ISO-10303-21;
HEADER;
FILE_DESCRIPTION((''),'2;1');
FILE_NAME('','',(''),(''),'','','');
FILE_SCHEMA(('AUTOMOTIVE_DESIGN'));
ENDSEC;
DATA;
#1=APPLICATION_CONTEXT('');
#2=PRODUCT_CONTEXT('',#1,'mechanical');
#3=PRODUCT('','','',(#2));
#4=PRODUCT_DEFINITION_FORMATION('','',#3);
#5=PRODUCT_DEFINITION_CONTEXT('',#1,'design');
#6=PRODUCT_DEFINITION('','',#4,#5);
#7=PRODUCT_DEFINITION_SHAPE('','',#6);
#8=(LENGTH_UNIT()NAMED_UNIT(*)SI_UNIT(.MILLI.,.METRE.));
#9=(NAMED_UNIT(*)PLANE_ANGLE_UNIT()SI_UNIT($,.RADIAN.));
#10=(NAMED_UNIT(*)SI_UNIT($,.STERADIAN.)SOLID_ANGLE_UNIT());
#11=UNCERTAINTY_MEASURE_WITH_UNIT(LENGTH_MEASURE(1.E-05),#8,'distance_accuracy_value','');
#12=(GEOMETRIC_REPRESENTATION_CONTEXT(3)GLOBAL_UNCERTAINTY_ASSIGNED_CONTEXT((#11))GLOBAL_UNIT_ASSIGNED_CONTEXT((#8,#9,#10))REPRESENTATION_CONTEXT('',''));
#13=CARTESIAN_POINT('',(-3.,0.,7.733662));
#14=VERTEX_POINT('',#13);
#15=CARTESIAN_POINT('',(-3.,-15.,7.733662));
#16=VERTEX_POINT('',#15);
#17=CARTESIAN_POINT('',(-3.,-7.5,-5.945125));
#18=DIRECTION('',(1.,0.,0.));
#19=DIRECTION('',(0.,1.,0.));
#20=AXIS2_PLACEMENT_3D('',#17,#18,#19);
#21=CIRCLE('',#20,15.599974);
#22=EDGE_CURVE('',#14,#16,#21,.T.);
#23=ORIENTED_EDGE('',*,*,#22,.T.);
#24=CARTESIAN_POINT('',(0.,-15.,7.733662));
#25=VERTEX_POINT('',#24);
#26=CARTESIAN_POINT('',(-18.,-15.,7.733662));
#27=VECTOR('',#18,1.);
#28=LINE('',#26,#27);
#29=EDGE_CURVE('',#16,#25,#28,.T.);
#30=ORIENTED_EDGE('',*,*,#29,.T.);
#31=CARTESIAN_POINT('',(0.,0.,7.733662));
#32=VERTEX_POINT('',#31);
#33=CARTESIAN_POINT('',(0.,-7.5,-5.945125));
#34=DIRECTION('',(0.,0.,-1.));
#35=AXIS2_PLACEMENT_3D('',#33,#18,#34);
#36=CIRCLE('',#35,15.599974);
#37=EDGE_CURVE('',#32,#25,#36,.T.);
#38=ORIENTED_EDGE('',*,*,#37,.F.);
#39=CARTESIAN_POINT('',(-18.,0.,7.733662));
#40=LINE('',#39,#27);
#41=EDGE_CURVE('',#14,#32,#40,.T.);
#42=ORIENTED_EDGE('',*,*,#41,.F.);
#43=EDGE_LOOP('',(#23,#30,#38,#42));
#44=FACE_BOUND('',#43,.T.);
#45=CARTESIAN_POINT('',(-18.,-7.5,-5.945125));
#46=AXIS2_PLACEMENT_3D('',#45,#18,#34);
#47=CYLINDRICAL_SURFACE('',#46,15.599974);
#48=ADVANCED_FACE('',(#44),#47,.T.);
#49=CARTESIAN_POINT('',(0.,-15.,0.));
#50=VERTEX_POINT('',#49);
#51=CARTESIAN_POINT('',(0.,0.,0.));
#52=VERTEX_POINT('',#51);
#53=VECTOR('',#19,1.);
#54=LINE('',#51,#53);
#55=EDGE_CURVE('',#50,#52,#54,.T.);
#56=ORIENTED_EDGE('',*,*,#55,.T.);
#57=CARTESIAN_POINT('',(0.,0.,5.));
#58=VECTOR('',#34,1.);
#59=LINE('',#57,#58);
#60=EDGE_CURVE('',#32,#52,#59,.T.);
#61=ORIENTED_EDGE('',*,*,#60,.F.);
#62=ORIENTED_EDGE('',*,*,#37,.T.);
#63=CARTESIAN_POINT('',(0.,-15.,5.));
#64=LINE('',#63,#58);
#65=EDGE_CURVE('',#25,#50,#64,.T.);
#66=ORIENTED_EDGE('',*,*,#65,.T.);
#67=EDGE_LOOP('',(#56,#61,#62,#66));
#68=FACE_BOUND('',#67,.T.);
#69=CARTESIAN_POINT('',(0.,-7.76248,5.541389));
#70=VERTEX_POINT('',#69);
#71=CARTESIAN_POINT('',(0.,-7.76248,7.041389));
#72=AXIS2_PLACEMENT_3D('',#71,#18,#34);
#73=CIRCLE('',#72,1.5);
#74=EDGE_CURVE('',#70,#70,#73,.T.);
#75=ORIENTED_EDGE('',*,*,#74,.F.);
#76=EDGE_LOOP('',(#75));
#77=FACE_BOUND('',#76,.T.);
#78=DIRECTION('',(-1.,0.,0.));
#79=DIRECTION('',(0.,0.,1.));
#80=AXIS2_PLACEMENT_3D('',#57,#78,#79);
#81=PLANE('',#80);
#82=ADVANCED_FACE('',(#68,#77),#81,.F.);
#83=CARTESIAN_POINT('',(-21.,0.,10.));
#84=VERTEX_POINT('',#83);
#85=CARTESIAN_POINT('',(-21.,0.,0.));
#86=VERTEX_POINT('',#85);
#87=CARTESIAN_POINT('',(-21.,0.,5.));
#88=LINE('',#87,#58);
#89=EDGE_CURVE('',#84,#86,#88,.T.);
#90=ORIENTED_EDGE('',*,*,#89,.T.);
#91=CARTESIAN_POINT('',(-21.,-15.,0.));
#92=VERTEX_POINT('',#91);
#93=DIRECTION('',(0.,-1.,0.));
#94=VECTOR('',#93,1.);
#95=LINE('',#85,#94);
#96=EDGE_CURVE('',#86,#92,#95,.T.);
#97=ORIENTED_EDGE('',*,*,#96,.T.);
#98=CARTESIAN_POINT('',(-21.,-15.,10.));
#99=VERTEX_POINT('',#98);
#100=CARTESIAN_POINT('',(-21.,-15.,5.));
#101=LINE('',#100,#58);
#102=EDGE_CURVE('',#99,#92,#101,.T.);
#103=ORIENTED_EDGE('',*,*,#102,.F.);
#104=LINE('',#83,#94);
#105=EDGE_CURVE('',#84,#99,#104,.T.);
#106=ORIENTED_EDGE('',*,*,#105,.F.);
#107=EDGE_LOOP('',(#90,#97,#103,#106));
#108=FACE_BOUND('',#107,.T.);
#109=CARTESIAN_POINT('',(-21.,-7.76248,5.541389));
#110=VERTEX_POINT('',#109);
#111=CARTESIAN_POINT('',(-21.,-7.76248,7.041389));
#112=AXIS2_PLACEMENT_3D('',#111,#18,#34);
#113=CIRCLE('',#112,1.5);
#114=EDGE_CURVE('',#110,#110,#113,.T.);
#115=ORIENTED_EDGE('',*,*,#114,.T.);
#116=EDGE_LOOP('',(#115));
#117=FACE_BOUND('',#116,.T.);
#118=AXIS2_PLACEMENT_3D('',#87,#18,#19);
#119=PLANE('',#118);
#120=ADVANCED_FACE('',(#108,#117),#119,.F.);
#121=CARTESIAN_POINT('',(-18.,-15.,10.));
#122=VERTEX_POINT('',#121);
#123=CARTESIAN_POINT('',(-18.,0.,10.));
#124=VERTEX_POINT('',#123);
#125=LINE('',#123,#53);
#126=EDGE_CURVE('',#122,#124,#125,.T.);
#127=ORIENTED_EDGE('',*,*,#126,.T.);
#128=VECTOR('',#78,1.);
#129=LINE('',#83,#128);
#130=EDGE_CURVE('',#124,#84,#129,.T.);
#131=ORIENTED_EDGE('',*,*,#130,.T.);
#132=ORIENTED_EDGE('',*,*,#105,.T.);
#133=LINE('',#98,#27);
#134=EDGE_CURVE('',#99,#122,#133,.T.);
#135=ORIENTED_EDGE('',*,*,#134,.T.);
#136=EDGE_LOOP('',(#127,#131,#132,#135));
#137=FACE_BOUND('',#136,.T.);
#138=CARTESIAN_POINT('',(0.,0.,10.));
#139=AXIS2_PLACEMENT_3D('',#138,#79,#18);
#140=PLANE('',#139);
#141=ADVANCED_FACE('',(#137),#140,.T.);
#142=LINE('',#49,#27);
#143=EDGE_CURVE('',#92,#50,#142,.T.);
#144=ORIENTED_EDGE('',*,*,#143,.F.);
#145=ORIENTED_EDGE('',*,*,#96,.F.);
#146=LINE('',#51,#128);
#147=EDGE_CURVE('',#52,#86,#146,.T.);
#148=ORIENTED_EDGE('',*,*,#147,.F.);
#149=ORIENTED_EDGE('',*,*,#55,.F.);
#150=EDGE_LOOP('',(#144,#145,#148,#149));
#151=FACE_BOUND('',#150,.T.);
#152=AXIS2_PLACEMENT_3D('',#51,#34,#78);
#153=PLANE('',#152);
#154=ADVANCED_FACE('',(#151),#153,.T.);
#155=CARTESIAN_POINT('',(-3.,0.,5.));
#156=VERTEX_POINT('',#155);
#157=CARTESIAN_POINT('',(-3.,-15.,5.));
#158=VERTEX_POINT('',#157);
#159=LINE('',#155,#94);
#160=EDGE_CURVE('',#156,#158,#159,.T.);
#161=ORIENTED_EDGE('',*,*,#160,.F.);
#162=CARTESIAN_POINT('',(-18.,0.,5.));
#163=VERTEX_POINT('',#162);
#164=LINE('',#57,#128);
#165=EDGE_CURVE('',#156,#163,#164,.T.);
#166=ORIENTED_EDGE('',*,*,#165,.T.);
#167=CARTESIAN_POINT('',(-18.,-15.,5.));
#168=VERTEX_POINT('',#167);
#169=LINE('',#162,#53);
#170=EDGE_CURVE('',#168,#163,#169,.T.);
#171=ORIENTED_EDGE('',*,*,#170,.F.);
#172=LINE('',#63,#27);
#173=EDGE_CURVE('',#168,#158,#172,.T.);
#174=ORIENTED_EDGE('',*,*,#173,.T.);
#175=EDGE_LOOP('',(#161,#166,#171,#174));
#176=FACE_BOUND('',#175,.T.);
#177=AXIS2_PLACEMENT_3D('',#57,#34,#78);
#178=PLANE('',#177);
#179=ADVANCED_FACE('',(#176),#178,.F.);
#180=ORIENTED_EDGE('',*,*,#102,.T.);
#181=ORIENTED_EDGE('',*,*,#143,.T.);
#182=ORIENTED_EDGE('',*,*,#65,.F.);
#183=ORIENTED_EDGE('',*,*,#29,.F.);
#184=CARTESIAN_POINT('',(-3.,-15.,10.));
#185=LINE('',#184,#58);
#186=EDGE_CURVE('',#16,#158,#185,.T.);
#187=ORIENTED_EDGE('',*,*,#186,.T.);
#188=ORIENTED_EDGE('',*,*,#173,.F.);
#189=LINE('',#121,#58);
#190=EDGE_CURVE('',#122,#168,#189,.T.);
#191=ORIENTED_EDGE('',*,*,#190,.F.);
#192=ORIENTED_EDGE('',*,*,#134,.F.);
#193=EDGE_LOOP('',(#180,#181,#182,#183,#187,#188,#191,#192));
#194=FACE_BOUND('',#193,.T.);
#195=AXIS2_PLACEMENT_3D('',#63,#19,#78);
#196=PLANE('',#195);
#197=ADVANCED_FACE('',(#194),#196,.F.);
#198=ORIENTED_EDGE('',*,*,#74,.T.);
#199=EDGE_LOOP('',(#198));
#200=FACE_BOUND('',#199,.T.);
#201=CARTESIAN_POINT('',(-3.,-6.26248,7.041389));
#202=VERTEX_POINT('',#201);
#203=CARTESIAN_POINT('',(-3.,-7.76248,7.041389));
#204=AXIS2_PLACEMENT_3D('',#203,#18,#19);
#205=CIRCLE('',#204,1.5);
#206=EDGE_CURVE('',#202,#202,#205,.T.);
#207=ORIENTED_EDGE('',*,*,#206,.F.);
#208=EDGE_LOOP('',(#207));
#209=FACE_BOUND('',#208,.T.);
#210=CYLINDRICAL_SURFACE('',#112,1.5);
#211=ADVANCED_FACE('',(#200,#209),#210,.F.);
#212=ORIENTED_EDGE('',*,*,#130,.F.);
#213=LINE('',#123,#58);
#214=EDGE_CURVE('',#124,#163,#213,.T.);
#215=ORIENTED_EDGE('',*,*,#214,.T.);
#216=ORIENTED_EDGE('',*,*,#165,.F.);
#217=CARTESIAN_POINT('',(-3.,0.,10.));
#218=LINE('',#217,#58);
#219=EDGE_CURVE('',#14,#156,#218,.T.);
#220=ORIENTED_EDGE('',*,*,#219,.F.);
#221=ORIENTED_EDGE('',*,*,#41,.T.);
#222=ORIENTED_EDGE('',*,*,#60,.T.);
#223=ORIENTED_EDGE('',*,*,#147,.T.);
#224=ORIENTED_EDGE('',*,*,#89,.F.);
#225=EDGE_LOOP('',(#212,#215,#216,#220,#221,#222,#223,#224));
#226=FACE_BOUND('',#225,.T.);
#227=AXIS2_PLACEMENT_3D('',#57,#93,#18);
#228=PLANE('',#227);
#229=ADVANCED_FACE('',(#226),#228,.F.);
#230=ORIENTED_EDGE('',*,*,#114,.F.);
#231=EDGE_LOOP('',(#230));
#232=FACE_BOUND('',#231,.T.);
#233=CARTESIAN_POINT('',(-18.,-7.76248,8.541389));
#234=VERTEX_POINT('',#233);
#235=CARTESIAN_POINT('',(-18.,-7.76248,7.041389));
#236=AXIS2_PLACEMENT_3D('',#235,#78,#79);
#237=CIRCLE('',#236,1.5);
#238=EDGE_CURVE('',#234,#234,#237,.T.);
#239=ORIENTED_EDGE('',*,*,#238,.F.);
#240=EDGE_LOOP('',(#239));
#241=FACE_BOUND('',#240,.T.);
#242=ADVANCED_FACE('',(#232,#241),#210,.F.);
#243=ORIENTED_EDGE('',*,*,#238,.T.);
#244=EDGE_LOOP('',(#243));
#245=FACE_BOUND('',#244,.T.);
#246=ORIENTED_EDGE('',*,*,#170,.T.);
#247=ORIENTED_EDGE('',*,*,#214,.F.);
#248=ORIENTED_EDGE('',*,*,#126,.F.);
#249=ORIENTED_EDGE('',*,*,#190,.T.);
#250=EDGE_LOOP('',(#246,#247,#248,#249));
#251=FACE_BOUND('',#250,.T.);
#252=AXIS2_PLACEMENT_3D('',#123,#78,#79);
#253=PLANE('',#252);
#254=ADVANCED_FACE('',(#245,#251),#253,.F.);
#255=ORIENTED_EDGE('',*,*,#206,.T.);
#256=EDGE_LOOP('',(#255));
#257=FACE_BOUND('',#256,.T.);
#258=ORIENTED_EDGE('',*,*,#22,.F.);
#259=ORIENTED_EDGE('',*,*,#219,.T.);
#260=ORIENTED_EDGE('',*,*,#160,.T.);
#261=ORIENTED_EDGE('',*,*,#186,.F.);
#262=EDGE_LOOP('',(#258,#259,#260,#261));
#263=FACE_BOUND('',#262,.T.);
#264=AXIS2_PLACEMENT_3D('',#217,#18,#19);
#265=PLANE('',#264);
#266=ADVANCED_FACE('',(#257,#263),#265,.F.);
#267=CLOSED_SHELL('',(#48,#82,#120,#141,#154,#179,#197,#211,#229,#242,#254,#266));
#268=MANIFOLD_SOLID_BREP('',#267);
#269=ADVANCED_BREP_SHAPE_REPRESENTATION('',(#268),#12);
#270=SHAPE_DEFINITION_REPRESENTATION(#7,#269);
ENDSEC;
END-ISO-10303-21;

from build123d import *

# Parameters (mm, degrees)
SKETCH1_W               = 21
SKETCH1_H               = 15
BOSS_EXTRUDE1_DEPTH     = 5
SKETCH2_W               = 3
SKETCH2_H               = 15
BOSS_EXTRUDE2_DEPTH     = 5
CUT_EXTRUDE1_DEPTH      = 18
SKETCH4_R               = 1.5
CUT_EXTRUDE2_DEPTH      = 19
CUT_EXTRUDE2_DEPTH_BACK = 4


with BuildPart() as part:
    # Sketch1 → Boss-Extrude1 (new body)
    with BuildSketch(Plane.XY):
        with Locations((-10.5, -7.5)):
            Rectangle(SKETCH1_W, SKETCH1_H)
    extrude(amount=BOSS_EXTRUDE1_DEPTH)

    # Sketch2 → Boss-Extrude2 (add)
    with BuildSketch(Plane.XY.offset(5)):
        with Locations((-1.5, -7.5)):
            Rectangle(SKETCH2_W, SKETCH2_H)
        with Locations((-19.5, -7.5)):
            Rectangle(SKETCH2_W, SKETCH2_H)
    extrude(amount=BOSS_EXTRUDE2_DEPTH)

    # Sketch3 → Cut-Extrude1 (cut)
    with BuildSketch(Plane(origin=(0, 0, 0), x_dir=(0, 0, -1), z_dir=(1, 0, 0))):
        with BuildLine():
            Line((-7.733661886, 0), (-10, 0))
            Line((-10, 0), (-10, -15))
            Line((-10, -15), (-7.733661886, -15))
            ThreePointArc((-7.733661886, -15), (-9.654849758, -7.5), (-7.733661886, 0))
        make_face()
    extrude(amount=-CUT_EXTRUDE1_DEPTH, mode=Mode.SUBTRACT)

    # Sketch4 → Cut-Extrude2 (cut, two sides)
    with BuildSketch(Plane(origin=(-18, 0, 0), x_dir=(0, 0, -1), z_dir=(1, 0, 0))) as cut_extrude2_sk:
        with Locations((-7.041389116, -7.762480296)):
            Circle(SKETCH4_R)
    extrude(amount=CUT_EXTRUDE2_DEPTH, mode=Mode.SUBTRACT)
    extrude(cut_extrude2_sk.sketch, amount=-CUT_EXTRUDE2_DEPTH_BACK, mode=Mode.SUBTRACT)


solid = part.part
